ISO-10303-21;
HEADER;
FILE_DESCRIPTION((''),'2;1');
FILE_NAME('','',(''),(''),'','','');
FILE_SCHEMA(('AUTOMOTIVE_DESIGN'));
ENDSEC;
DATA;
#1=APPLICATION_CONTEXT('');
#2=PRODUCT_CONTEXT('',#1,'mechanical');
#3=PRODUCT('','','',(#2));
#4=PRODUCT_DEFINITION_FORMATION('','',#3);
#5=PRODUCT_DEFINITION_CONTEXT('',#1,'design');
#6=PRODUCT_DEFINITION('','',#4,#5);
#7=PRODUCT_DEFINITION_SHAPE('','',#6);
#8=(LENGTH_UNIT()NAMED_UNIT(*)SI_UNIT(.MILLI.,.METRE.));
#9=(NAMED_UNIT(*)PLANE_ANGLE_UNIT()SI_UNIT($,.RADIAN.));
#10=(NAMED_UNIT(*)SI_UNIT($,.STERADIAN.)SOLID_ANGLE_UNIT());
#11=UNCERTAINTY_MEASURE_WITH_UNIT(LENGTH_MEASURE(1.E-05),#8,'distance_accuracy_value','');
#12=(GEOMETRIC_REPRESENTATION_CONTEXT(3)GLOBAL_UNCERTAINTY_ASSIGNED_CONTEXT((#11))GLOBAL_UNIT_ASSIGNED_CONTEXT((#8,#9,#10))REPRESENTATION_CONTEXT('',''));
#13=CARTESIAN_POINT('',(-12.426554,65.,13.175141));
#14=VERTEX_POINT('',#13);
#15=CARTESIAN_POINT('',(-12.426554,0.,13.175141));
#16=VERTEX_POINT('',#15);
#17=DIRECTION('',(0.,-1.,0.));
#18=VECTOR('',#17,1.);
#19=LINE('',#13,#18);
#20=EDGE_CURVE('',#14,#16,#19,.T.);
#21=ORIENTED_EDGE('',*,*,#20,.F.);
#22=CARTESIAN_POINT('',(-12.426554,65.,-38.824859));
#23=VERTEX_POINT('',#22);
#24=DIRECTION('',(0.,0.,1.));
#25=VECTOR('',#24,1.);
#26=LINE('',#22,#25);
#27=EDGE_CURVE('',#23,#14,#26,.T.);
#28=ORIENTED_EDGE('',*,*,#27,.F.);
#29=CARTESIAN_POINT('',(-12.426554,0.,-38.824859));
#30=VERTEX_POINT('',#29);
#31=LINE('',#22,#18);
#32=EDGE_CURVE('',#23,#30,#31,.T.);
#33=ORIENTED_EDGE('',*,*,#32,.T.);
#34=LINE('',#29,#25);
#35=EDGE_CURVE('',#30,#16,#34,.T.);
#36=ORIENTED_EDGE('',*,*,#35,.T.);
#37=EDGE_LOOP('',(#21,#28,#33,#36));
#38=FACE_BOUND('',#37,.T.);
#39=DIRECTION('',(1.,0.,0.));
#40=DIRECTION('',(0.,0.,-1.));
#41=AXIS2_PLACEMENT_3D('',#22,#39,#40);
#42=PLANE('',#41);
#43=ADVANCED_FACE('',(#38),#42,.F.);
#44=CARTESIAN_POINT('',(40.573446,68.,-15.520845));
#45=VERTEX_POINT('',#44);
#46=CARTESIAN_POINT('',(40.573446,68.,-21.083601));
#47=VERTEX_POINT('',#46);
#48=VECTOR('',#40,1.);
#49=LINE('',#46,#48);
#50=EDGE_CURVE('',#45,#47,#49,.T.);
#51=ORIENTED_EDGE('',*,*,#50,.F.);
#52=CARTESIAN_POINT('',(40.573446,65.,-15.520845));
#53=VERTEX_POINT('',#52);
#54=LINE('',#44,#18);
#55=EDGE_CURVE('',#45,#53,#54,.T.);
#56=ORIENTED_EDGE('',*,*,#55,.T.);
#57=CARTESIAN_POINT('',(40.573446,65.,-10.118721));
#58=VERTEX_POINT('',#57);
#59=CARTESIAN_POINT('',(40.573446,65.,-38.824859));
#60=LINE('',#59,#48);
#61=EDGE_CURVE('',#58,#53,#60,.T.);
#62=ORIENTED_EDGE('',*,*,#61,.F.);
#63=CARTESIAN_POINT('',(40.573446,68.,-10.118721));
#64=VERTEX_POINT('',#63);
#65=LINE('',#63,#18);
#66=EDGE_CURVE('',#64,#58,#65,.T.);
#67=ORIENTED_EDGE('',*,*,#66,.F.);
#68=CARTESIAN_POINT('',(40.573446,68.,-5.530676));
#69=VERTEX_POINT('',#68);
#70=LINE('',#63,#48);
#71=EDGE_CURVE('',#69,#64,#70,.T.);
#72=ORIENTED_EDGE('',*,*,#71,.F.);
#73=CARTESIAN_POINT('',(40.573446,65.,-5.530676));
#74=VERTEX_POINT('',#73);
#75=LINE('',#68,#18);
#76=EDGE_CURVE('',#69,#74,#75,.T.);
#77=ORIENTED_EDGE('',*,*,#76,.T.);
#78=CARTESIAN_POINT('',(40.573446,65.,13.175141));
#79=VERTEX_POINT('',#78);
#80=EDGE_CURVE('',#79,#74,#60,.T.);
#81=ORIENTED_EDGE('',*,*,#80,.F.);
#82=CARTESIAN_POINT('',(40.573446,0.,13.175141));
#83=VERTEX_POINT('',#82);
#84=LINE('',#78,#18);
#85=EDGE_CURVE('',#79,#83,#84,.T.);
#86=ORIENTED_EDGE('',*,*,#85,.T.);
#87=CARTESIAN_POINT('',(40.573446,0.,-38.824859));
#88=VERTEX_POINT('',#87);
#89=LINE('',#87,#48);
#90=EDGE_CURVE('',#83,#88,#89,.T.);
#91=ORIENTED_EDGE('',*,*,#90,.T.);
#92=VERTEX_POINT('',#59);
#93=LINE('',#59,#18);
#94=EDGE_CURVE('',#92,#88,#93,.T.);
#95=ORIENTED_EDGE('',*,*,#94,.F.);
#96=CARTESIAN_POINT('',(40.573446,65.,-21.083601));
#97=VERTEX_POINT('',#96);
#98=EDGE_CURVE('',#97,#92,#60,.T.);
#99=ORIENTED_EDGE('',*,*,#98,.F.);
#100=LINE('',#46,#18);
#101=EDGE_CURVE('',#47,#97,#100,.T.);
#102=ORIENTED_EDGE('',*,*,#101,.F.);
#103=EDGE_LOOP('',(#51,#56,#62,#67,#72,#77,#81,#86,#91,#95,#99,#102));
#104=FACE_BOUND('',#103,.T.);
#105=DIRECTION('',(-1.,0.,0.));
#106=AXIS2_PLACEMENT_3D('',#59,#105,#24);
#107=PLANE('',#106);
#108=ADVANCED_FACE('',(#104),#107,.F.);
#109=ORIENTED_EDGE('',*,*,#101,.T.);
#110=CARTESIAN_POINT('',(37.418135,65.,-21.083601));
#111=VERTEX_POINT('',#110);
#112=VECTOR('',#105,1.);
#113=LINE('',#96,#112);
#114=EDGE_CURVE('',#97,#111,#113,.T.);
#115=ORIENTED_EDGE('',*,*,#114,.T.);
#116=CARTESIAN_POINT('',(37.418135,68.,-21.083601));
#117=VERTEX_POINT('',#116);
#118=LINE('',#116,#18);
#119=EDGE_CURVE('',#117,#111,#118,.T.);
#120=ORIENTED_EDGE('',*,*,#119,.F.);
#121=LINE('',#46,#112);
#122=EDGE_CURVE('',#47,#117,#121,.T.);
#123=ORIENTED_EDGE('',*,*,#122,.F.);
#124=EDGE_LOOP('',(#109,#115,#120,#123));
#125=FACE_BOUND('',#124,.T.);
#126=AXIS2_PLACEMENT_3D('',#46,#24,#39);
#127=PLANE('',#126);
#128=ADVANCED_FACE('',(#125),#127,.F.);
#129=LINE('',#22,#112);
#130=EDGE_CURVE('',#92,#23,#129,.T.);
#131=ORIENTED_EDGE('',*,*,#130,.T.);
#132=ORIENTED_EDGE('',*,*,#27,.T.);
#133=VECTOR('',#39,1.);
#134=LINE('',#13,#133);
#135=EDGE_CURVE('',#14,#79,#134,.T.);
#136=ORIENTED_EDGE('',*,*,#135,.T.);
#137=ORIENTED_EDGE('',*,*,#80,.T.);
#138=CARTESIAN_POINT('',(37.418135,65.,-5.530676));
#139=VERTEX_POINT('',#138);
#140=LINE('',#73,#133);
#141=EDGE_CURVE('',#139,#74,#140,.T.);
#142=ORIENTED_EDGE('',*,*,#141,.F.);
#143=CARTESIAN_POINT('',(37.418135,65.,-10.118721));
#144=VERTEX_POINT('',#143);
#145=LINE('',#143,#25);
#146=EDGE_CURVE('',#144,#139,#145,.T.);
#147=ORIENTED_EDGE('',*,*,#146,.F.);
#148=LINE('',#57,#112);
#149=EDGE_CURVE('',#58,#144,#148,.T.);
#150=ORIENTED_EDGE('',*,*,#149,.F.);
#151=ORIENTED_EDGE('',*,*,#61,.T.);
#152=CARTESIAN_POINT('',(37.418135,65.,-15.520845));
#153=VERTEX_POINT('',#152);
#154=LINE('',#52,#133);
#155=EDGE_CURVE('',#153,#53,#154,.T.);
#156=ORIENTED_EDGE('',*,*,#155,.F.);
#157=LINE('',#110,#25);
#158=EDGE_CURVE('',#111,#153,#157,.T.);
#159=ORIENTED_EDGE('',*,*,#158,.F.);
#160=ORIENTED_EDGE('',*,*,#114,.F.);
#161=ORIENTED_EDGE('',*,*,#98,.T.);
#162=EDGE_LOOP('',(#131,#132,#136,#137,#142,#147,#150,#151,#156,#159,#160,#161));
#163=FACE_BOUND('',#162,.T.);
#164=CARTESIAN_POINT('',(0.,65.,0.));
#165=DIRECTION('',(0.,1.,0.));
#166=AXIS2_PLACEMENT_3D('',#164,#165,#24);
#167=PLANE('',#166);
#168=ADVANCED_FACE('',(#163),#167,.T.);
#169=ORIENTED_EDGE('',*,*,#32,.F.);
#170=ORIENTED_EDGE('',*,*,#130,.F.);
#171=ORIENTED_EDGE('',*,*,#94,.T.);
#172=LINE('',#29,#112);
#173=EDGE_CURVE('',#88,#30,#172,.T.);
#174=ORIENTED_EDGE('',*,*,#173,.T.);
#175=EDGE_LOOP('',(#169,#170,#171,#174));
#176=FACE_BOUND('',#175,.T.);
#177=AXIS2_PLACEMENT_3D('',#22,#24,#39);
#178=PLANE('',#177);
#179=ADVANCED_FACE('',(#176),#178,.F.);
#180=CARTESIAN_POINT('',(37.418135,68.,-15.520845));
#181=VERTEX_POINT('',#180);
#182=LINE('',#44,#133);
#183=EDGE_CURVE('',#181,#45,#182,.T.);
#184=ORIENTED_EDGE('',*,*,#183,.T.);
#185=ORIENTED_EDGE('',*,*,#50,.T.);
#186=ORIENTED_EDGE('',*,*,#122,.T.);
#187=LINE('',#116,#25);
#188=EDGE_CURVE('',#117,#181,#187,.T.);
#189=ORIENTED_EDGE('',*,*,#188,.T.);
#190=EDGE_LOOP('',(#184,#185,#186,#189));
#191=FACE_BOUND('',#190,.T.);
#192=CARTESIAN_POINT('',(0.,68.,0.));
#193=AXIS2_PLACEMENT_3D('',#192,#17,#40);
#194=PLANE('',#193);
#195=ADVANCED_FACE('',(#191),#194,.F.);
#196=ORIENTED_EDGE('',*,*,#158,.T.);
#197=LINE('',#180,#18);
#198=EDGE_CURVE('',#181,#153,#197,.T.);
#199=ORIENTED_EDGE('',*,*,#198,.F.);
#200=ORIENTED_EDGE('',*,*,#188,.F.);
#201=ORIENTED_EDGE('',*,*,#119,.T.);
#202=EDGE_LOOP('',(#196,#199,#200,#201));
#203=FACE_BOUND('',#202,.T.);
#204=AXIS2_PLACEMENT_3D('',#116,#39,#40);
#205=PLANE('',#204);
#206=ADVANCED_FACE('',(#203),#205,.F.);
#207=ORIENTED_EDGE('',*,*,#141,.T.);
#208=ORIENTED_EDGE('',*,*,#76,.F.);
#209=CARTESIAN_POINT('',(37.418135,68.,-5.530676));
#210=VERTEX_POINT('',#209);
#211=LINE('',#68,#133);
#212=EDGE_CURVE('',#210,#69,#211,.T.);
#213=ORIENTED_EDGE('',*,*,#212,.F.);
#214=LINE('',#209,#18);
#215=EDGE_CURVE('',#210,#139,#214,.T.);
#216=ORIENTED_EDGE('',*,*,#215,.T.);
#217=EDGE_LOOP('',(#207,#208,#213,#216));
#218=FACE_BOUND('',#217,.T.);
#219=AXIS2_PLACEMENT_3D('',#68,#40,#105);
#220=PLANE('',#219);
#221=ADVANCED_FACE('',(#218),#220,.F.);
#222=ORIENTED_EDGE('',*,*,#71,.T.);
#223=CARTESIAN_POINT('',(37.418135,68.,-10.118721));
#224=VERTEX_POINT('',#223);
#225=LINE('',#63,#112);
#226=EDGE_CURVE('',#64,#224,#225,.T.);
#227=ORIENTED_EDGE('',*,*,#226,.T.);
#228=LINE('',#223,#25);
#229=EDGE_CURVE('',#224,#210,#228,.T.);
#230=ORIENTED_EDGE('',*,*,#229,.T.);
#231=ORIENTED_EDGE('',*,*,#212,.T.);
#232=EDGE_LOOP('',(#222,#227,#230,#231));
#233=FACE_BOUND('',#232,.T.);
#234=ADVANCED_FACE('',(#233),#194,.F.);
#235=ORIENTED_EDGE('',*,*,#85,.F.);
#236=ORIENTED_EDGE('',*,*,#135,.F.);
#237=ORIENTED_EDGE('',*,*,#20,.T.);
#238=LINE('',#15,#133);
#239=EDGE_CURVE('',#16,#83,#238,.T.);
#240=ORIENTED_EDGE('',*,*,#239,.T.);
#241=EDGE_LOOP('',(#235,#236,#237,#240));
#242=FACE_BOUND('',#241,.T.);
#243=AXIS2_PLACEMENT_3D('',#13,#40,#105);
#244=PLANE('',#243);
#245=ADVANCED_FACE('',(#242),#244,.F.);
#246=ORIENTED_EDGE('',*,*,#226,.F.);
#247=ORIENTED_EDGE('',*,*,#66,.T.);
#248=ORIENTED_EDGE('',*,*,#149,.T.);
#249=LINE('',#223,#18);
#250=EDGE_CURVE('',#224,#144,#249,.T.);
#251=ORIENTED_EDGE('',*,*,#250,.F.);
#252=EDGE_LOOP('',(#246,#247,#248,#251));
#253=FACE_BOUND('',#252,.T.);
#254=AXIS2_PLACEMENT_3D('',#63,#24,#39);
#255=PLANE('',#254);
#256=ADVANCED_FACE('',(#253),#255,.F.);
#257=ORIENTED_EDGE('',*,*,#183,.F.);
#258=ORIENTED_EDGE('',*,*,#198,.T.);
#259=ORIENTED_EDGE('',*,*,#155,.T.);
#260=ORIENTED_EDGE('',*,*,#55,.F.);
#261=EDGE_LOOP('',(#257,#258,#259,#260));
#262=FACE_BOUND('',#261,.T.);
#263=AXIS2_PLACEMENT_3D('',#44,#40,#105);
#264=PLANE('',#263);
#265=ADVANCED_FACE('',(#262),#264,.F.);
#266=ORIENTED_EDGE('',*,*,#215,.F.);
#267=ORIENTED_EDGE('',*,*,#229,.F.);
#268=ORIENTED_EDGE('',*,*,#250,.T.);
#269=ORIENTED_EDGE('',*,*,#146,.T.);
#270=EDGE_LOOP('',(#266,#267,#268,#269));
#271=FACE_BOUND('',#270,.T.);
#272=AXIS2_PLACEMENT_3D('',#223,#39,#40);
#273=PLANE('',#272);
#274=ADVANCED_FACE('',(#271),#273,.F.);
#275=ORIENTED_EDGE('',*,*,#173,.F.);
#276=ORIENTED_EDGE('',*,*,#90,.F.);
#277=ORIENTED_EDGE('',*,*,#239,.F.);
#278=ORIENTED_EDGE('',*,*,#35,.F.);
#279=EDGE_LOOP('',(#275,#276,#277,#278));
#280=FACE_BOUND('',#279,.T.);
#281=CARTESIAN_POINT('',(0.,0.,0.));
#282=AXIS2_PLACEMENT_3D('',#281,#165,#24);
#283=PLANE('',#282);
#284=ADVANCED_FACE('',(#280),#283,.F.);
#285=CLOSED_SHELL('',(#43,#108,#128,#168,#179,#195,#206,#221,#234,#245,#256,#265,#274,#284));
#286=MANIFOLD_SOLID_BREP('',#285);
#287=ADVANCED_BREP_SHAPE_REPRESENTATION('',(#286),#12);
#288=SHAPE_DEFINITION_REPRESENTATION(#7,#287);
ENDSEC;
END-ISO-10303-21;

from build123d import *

# Parameters (mm, degrees)
SKETCH1_W           = 53
SKETCH1_H           = 52
BOSS_EXTRUDE1_DEPTH = 65
SKETCH3_W           = 3.15531167
SKETCH3_H           = 5.562756602
SKETCH3_H_2         = 4.588044821
BOSS_EXTRUDE2_DEPTH = 3


with BuildPart() as part:
    # Sketch1 → Boss-Extrude1 (new body)
    with BuildSketch(Plane(origin=(0, 0, 0), x_dir=(1, 0, 0), z_dir=(0, 1, 0))):
        with Locations((14.073446328, 12.824858757)):
            Rectangle(SKETCH1_W, SKETCH1_H)
    extrude(amount=BOSS_EXTRUDE1_DEPTH)

    # Sketch3 → Boss-Extrude2 (add)
    with BuildSketch(Plane(origin=(0, 65, 0), x_dir=(1, 0, 0), z_dir=(0, 1, 0))):
        with Locations((38.995790493, 18.302222915)):
            Rectangle(SKETCH3_W, SKETCH3_H)
        with Locations((38.995790493, 7.824698569)):
            Rectangle(SKETCH3_W, SKETCH3_H_2)
    extrude(amount=BOSS_EXTRUDE2_DEPTH)


solid = part.part
